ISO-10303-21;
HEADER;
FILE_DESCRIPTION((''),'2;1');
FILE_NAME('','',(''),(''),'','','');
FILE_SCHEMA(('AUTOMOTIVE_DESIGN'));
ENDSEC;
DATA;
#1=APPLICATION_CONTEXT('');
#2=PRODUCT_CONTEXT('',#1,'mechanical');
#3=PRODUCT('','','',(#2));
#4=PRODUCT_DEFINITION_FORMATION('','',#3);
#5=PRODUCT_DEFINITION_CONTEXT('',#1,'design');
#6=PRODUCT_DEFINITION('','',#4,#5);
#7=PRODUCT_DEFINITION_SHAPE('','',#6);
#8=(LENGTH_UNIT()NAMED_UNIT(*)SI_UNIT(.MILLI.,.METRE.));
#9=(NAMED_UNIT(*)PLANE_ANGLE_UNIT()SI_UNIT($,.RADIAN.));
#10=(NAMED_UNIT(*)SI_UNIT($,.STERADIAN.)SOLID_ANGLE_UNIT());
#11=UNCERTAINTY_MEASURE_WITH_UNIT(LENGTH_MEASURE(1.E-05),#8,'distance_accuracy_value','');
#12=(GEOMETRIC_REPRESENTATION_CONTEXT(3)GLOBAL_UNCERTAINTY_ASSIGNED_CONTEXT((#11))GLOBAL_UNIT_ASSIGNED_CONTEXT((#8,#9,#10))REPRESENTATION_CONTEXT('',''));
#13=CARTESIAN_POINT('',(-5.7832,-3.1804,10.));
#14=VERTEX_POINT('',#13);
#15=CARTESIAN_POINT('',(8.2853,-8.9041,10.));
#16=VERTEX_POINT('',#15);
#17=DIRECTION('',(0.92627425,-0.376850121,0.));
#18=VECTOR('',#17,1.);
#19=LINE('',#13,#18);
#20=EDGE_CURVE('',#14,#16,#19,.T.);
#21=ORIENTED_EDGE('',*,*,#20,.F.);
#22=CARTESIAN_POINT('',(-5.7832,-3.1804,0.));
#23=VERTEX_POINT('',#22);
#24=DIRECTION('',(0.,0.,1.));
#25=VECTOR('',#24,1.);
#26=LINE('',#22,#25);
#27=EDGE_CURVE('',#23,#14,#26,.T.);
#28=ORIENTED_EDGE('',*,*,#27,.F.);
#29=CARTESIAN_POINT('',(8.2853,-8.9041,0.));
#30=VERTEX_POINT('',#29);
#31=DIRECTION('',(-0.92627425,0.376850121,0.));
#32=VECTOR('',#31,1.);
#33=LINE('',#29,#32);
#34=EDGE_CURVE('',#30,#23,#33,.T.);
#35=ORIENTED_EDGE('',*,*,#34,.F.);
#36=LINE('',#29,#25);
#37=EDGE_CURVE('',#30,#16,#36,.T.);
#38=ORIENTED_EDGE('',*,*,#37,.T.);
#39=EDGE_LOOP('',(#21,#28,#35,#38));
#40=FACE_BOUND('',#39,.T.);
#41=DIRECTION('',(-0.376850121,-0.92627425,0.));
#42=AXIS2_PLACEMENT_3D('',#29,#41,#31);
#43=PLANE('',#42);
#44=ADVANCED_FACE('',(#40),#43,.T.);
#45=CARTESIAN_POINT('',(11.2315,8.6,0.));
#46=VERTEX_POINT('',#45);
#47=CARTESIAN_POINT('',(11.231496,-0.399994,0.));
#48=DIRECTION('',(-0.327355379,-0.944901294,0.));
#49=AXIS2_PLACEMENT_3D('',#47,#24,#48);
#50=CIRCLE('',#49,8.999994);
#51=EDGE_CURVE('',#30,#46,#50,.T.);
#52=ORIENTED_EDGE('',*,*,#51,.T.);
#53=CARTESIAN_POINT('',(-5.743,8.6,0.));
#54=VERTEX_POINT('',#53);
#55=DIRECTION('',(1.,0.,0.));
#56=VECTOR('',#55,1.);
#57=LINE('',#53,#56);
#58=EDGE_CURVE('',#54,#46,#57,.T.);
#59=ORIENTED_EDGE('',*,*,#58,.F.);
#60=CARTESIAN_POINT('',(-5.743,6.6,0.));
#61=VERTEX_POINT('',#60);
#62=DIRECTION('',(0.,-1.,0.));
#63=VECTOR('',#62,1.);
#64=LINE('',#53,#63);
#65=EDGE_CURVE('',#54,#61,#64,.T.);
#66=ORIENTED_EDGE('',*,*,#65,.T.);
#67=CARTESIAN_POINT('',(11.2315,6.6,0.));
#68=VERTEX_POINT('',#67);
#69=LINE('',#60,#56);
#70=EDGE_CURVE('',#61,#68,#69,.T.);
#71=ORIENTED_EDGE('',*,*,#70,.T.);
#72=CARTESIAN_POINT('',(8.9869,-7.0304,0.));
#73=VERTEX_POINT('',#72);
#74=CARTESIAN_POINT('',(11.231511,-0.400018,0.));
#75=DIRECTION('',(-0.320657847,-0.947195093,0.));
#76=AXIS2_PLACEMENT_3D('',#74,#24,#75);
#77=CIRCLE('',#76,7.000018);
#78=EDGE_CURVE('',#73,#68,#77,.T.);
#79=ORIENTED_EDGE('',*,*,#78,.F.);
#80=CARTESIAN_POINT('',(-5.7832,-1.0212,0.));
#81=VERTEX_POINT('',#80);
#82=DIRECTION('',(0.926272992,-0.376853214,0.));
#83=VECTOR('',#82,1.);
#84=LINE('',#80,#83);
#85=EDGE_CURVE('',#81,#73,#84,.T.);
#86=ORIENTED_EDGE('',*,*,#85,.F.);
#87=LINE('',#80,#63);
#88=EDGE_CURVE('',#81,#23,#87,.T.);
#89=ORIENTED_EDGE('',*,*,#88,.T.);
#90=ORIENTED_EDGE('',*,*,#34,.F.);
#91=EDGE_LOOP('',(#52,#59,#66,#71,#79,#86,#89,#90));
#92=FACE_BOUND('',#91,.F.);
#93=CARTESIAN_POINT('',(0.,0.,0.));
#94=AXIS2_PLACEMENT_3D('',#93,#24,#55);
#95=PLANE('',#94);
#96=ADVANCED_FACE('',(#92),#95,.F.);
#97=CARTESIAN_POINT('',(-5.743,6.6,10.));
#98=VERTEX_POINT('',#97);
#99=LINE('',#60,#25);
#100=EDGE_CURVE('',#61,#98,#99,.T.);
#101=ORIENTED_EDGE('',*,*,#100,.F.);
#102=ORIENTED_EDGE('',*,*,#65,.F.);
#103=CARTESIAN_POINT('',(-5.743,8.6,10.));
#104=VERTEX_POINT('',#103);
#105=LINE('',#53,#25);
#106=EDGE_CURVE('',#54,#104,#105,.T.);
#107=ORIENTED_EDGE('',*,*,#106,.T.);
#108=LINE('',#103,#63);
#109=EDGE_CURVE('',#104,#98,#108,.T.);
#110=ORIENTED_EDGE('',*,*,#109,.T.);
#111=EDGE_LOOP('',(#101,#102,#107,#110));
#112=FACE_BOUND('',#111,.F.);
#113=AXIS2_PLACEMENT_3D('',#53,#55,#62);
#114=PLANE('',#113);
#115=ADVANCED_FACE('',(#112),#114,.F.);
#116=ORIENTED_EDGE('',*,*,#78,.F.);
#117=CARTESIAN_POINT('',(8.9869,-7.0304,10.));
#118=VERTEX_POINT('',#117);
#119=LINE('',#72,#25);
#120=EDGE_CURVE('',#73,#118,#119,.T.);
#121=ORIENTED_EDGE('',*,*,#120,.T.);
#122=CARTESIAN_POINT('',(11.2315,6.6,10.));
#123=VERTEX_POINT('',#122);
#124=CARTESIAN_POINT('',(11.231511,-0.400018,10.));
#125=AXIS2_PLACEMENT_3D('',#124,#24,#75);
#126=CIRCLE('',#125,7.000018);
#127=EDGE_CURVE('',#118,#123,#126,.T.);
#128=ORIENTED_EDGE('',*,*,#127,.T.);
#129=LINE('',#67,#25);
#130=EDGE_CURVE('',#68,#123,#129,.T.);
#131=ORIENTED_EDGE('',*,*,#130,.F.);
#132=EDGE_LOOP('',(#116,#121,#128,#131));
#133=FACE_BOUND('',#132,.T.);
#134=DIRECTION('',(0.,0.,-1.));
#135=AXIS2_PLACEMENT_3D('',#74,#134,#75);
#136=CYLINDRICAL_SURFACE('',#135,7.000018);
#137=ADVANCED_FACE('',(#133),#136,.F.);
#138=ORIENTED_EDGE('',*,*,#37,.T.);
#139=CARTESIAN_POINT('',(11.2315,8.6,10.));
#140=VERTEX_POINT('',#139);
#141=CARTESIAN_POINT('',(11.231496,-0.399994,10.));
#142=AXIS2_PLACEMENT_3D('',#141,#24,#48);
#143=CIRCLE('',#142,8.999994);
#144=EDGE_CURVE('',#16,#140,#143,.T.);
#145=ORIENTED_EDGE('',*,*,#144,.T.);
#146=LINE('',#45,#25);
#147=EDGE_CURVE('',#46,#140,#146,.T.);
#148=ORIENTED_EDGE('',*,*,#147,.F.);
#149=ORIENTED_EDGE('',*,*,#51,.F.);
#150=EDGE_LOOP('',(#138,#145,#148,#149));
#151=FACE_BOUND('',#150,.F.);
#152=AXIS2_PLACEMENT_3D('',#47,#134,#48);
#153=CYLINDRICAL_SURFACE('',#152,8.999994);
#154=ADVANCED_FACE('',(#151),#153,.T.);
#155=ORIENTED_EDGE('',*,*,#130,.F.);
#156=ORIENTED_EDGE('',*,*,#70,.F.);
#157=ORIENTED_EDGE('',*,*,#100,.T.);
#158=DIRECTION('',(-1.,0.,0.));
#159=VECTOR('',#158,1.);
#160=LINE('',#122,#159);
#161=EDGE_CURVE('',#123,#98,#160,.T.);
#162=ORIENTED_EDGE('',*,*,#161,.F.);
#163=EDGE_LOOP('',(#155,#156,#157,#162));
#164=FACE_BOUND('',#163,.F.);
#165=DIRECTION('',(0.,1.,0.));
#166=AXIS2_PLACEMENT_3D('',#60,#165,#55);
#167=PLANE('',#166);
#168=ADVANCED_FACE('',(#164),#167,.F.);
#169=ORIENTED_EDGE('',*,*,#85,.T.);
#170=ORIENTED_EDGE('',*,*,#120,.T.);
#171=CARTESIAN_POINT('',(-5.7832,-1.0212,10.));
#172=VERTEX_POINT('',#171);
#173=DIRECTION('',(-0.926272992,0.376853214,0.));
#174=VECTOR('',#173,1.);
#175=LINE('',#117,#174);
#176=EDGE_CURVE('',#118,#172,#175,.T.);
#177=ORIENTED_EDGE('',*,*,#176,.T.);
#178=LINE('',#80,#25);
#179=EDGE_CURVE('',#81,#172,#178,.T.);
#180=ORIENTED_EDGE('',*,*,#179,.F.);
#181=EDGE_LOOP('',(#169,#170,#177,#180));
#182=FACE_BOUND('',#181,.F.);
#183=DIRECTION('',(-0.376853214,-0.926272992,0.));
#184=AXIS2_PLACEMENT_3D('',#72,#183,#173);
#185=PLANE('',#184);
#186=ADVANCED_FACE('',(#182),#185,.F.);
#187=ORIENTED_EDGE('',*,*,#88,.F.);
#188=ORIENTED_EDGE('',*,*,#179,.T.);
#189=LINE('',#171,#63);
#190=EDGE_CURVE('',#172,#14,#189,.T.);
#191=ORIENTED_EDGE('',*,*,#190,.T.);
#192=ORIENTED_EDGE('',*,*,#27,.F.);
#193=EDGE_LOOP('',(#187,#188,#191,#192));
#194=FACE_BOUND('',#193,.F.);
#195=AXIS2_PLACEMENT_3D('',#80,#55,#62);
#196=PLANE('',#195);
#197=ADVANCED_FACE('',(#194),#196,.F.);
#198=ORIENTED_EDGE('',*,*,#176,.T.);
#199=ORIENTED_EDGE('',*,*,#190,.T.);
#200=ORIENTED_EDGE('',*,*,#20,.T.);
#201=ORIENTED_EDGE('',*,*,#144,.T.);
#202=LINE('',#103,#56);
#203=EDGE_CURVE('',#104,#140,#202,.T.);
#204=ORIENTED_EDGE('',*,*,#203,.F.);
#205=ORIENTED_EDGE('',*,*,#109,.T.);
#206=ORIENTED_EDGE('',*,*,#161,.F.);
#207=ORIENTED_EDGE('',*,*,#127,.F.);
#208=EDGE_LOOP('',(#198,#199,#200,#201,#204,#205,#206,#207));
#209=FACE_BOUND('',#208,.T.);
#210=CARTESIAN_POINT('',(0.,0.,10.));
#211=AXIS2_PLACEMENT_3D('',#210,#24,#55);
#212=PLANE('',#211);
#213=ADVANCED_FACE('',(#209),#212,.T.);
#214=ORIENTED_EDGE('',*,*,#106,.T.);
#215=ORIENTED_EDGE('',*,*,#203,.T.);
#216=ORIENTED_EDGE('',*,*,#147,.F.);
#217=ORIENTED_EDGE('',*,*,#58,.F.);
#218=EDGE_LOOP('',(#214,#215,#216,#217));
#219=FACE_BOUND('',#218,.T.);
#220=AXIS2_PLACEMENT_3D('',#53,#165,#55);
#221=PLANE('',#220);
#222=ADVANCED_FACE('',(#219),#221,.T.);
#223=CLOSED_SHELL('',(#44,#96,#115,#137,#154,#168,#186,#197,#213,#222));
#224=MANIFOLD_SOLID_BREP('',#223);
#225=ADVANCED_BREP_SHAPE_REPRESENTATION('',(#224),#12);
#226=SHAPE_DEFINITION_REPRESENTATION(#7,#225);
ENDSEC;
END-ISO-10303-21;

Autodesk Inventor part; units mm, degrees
ref_plane "YZ Plane" through (0, 0, 0) normal (1, 0, 0) x (0, 1, 0)
ref_plane "XZ Plane" through (0, 0, 0) normal (0, 1, 0) x (-1, 0, 0)
ref_plane "XY Plane" through (0, 0, 0) normal (0, 0, 1) x (1, 0, 0)
sketch "Sketch1" plane through (0, 0, 0) normal (0, 0, 1) x (1, 0, 0)
  circle A0 centre (0, 0) radius 6.6 projected
  line L0 (-5.743, 8.6) -> (11.2315, 8.6)
  arc A1 (8.2853, -8.9041) -> (11.2315, 8.6) centre (11.2315, -0.4) ccw
  line L1 (8.2853, -8.9041) -> (-5.7832, -3.1804)
  line L2 (-5.743, 6.6) -> (11.2315, 6.6)
  arc A2 (8.9869, -7.0304) -> (11.2315, 6.6) centre (11.2315, -0.4) ccw
  line L3 (8.9869, -7.0304) -> (-5.7832, -1.0212)
  line L4 (-5.743, 8.6) -> (-5.743, 6.6)
  line L5 (-5.7832, -1.0212) -> (-5.7832, -3.1804)
  point P0 (0, 0)
  dimension "d1" = 13.2
  dimension "d0" = 7
  dimension "d2" = 2
  dimension "d3" = 90
extrude "Extrusion1" add sketch "Sketch1" along normal blind 10 contours L2 L4 L0 A1 L1 A0 L3 A2 | A0 L1 L5 L3
properties part number "01_Laser_Clamp_OnOffSwitch"
